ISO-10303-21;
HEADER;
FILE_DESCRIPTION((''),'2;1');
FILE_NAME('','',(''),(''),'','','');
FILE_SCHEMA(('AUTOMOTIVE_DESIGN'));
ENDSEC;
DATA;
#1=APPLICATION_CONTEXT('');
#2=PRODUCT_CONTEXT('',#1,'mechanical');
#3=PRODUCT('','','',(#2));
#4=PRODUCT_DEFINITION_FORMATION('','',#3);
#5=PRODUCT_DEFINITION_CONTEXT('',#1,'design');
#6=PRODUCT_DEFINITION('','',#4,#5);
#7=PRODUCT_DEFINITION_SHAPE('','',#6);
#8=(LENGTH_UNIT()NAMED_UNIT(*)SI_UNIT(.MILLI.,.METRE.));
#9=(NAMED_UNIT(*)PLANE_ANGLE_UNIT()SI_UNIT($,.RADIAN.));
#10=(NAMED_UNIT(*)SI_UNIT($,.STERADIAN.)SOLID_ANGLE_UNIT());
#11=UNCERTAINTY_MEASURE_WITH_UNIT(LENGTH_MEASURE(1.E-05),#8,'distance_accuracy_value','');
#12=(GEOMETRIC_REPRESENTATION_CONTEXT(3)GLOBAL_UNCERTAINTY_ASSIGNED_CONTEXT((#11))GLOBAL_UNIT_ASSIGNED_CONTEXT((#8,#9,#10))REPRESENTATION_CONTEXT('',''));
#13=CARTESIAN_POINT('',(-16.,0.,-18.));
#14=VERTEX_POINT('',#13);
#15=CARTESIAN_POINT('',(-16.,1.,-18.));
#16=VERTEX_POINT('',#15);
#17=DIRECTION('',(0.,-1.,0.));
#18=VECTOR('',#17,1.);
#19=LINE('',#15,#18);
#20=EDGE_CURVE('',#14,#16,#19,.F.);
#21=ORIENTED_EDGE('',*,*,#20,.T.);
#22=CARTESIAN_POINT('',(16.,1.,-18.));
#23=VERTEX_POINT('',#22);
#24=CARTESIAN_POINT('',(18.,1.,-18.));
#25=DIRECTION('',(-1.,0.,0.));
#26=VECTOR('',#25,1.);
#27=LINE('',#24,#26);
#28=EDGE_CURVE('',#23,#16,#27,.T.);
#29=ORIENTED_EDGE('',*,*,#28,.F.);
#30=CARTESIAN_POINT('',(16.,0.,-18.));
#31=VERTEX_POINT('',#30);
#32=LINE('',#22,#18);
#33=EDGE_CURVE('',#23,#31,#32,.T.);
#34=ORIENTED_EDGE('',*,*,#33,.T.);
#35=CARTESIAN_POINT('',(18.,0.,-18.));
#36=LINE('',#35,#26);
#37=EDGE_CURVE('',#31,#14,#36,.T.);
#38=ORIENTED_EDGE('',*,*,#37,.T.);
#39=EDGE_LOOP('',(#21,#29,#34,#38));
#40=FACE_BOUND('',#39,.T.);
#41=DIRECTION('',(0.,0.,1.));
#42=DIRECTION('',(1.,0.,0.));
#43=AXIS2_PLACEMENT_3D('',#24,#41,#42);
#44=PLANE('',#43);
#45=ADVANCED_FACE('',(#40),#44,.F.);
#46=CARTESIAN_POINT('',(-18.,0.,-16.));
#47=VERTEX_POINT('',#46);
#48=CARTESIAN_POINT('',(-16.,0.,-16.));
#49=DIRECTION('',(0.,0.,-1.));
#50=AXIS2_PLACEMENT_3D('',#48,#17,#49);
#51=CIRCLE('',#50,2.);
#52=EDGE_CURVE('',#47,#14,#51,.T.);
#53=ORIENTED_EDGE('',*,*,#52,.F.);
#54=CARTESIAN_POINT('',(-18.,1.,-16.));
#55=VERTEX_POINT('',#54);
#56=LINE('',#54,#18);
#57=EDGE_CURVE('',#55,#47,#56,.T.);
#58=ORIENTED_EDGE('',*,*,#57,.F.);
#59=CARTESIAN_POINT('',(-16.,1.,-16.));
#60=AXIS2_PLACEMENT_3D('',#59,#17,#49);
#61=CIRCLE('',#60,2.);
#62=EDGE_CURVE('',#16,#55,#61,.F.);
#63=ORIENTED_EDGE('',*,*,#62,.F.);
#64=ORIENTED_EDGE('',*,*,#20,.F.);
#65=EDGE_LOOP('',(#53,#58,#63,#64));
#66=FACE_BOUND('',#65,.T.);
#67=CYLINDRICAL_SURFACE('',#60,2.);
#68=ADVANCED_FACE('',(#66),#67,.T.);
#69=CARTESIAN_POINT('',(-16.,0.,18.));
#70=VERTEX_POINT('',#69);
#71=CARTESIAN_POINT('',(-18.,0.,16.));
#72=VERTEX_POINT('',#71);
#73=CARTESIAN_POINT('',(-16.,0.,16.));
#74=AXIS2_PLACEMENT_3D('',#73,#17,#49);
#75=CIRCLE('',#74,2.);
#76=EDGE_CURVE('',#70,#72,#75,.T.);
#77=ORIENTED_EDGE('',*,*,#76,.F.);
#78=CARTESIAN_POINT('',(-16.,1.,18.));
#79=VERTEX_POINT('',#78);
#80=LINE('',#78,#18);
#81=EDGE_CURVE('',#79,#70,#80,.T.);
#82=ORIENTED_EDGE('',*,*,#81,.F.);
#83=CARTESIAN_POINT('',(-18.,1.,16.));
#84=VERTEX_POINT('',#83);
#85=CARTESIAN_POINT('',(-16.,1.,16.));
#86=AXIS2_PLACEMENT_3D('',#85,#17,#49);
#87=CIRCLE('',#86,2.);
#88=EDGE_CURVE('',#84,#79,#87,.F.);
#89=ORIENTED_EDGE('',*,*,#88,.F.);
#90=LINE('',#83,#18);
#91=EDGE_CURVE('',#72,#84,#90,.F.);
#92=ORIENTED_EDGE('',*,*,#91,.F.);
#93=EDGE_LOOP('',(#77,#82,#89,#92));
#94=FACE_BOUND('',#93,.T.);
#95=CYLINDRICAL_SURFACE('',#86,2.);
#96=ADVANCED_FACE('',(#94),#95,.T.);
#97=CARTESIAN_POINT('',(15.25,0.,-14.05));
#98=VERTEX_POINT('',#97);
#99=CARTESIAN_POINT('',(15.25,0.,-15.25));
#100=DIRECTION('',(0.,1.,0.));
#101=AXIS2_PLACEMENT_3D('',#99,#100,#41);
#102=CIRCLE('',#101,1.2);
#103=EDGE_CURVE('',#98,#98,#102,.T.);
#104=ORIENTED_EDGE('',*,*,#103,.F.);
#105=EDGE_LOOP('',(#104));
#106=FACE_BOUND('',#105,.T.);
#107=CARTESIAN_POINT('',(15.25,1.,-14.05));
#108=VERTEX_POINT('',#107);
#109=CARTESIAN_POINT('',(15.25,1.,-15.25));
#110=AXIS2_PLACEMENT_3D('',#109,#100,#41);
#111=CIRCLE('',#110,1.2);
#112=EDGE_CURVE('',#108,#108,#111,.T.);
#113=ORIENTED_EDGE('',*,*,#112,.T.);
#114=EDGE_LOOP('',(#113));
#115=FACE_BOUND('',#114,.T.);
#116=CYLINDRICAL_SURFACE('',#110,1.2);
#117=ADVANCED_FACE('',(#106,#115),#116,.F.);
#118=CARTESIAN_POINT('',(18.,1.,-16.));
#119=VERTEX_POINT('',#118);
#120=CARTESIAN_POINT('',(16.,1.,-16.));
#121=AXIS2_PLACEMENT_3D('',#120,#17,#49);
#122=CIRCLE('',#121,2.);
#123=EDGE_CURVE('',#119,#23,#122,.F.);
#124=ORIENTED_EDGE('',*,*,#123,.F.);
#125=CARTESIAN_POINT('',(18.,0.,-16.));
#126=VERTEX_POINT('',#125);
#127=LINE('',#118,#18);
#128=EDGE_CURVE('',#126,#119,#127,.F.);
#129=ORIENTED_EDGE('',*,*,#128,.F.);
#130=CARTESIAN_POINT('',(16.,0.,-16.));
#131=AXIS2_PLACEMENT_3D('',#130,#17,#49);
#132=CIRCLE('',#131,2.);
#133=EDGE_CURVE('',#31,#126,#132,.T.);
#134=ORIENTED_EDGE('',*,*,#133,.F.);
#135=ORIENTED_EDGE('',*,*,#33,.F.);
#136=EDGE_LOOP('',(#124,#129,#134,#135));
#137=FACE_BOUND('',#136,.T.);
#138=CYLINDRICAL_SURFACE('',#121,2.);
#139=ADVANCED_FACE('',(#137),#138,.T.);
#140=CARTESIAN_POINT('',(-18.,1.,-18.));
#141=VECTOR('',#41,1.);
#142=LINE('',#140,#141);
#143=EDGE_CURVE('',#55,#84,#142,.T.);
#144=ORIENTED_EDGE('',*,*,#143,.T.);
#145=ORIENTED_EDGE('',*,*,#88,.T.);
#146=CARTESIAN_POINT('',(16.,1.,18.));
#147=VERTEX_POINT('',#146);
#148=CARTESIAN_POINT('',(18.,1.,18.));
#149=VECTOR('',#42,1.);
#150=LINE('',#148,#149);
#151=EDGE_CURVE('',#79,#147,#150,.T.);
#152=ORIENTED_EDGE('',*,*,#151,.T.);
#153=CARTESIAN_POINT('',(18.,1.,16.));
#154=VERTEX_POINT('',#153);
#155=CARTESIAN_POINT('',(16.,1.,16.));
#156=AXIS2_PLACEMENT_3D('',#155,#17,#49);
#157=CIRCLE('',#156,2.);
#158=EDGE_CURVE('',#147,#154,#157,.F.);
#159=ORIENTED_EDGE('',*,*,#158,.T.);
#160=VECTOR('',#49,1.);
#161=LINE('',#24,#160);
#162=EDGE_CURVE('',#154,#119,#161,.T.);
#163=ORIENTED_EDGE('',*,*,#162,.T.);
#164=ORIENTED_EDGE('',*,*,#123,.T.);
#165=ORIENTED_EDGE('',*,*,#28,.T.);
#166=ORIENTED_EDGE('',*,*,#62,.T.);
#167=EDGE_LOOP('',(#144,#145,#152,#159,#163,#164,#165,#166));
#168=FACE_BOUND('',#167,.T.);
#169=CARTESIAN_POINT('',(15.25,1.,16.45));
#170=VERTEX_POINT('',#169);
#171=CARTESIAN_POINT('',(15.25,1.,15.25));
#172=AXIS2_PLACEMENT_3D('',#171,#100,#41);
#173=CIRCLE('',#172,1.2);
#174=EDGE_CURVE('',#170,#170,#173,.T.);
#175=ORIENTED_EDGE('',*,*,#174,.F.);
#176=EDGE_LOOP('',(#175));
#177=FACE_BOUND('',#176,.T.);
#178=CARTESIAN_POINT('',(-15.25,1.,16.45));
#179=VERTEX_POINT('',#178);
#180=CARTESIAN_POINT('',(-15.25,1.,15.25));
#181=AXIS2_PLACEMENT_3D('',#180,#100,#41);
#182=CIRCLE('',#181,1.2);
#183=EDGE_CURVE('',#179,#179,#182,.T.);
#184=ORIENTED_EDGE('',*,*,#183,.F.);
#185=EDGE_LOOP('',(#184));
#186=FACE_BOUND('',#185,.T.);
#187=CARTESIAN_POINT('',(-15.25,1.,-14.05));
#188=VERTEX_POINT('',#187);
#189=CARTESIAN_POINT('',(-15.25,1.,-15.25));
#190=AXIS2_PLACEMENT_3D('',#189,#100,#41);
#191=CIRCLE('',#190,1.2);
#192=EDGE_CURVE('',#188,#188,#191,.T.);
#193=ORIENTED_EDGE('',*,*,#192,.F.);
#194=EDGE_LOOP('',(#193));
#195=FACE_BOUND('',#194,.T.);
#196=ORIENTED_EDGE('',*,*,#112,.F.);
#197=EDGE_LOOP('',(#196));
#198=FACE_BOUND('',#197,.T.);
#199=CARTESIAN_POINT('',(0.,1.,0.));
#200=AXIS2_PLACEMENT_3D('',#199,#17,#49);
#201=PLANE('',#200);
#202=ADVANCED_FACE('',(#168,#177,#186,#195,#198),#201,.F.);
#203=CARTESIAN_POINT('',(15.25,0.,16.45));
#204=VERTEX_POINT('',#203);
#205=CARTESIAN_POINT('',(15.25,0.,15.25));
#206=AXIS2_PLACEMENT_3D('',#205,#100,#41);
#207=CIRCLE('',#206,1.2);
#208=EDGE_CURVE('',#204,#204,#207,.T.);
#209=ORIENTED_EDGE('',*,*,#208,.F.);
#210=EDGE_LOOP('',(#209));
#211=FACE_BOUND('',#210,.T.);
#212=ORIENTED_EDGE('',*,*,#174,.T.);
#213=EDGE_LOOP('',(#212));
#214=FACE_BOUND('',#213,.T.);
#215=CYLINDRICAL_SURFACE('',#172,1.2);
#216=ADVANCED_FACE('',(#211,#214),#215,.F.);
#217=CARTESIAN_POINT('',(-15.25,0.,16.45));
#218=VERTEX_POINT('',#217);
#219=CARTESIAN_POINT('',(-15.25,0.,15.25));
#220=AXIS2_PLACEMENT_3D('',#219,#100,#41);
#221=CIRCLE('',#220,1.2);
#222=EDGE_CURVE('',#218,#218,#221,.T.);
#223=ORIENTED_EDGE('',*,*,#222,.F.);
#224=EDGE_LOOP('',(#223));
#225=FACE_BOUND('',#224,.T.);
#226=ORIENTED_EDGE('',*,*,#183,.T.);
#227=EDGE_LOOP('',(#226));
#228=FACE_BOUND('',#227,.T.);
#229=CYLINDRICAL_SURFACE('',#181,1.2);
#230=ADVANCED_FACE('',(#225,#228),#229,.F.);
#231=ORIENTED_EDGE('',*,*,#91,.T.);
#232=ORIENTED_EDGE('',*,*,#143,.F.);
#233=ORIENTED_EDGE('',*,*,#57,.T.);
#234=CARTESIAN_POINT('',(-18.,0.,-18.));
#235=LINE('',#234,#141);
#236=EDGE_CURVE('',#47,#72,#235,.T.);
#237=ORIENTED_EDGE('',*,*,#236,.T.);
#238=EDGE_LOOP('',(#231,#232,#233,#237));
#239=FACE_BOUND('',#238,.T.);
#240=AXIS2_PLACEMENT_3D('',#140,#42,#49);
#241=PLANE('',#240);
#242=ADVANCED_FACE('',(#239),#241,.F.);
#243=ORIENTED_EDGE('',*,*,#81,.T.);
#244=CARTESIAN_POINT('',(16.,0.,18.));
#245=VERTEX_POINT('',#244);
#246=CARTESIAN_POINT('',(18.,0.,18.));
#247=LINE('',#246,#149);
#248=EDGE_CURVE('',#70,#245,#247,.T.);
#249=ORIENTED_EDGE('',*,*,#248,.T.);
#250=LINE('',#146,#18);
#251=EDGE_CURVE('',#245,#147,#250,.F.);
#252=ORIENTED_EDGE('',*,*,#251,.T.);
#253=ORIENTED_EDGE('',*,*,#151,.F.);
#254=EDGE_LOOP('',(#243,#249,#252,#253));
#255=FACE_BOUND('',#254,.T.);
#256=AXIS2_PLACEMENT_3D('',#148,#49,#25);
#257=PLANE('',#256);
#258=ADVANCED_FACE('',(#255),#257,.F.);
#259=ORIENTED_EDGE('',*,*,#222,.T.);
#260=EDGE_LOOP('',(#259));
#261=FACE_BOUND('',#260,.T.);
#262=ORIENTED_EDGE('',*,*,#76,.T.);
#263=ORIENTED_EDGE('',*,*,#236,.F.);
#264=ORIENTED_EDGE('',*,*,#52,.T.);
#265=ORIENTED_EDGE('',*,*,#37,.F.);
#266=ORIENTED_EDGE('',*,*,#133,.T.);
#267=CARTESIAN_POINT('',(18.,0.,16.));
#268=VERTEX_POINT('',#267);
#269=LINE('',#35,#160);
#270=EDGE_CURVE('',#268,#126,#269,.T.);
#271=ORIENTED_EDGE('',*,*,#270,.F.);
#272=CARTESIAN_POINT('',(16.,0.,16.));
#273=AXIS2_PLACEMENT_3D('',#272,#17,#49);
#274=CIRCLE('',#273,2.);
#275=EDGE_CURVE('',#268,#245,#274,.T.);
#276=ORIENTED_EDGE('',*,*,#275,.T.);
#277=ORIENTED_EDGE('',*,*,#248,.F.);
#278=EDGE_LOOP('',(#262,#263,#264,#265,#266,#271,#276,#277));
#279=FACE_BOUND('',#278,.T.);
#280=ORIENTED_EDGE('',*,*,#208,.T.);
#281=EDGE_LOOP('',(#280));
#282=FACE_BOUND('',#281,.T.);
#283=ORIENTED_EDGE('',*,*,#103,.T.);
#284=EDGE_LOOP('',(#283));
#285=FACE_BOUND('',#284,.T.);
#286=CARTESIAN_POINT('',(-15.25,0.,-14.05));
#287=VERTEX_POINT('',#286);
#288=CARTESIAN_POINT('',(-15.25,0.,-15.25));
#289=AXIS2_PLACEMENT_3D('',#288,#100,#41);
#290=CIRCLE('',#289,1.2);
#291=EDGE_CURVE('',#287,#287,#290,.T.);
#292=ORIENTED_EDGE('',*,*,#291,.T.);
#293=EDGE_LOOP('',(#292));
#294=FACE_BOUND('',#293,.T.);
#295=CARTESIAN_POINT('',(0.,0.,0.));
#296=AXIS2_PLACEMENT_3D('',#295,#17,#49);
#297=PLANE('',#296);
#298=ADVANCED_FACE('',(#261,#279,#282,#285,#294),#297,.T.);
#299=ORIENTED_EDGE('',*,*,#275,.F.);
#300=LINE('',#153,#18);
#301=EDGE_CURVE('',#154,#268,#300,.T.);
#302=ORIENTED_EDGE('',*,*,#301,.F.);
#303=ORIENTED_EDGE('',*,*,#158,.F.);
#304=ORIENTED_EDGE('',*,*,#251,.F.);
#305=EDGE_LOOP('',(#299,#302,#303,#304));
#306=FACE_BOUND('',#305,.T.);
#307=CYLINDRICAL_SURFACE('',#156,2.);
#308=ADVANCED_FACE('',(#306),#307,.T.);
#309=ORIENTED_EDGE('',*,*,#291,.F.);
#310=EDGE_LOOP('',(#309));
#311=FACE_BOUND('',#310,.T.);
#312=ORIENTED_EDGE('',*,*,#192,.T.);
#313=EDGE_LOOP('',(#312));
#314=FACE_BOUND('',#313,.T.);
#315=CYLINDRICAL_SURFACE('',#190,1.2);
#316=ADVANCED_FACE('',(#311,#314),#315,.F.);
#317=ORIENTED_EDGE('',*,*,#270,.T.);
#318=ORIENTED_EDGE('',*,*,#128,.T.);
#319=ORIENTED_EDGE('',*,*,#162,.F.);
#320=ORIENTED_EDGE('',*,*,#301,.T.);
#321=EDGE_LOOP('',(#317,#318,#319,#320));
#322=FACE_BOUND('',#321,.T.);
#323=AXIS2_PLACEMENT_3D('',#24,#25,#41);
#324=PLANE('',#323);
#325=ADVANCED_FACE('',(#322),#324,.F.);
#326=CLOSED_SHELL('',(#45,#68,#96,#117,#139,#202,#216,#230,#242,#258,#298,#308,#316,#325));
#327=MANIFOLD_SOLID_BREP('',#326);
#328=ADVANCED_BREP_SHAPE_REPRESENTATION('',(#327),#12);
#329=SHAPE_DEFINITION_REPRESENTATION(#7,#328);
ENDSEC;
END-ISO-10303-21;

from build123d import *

# Parameters (mm, degrees)
SKETCH1_W            = 36
SKETCH1_H            = 36
BOSS_EXTRUDE1_DEPTH  = 1
M2_CLEARANCE_HOLE1_D = 2.4
FILLET1_R            = 2


with BuildPart() as part:
    # Sketch1 → Boss-Extrude1 (new body)
    with BuildSketch(Plane(origin=(0, 0, 0), x_dir=(1, 0, 0), z_dir=(0, 1, 0))):
        Rectangle(SKETCH1_W, SKETCH1_H)
    extrude(amount=BOSS_EXTRUDE1_DEPTH)

    # M2 Clearance Hole1 (through all)
    with Locations(Plane(origin=(0, 1, 0), x_dir=(1, 0, 0), z_dir=(0, 1, 0))):
        with Locations((-15.25, 15.25), (15.25, 15.25), (15.25, -15.25), (-15.25, -15.25)):
            Hole(M2_CLEARANCE_HOLE1_D / 2)

    # Fillet1
    fillet1_edges = [part.edges().sort_by_distance(p)[0] for p in [
        (-18, 0.5, -18),
        (18, 0.5, -18),
        (18, 0.5, 18),
        (-18, 0.5, 18),
    ]]
    fillet(fillet1_edges, radius=FILLET1_R)


solid = part.part
